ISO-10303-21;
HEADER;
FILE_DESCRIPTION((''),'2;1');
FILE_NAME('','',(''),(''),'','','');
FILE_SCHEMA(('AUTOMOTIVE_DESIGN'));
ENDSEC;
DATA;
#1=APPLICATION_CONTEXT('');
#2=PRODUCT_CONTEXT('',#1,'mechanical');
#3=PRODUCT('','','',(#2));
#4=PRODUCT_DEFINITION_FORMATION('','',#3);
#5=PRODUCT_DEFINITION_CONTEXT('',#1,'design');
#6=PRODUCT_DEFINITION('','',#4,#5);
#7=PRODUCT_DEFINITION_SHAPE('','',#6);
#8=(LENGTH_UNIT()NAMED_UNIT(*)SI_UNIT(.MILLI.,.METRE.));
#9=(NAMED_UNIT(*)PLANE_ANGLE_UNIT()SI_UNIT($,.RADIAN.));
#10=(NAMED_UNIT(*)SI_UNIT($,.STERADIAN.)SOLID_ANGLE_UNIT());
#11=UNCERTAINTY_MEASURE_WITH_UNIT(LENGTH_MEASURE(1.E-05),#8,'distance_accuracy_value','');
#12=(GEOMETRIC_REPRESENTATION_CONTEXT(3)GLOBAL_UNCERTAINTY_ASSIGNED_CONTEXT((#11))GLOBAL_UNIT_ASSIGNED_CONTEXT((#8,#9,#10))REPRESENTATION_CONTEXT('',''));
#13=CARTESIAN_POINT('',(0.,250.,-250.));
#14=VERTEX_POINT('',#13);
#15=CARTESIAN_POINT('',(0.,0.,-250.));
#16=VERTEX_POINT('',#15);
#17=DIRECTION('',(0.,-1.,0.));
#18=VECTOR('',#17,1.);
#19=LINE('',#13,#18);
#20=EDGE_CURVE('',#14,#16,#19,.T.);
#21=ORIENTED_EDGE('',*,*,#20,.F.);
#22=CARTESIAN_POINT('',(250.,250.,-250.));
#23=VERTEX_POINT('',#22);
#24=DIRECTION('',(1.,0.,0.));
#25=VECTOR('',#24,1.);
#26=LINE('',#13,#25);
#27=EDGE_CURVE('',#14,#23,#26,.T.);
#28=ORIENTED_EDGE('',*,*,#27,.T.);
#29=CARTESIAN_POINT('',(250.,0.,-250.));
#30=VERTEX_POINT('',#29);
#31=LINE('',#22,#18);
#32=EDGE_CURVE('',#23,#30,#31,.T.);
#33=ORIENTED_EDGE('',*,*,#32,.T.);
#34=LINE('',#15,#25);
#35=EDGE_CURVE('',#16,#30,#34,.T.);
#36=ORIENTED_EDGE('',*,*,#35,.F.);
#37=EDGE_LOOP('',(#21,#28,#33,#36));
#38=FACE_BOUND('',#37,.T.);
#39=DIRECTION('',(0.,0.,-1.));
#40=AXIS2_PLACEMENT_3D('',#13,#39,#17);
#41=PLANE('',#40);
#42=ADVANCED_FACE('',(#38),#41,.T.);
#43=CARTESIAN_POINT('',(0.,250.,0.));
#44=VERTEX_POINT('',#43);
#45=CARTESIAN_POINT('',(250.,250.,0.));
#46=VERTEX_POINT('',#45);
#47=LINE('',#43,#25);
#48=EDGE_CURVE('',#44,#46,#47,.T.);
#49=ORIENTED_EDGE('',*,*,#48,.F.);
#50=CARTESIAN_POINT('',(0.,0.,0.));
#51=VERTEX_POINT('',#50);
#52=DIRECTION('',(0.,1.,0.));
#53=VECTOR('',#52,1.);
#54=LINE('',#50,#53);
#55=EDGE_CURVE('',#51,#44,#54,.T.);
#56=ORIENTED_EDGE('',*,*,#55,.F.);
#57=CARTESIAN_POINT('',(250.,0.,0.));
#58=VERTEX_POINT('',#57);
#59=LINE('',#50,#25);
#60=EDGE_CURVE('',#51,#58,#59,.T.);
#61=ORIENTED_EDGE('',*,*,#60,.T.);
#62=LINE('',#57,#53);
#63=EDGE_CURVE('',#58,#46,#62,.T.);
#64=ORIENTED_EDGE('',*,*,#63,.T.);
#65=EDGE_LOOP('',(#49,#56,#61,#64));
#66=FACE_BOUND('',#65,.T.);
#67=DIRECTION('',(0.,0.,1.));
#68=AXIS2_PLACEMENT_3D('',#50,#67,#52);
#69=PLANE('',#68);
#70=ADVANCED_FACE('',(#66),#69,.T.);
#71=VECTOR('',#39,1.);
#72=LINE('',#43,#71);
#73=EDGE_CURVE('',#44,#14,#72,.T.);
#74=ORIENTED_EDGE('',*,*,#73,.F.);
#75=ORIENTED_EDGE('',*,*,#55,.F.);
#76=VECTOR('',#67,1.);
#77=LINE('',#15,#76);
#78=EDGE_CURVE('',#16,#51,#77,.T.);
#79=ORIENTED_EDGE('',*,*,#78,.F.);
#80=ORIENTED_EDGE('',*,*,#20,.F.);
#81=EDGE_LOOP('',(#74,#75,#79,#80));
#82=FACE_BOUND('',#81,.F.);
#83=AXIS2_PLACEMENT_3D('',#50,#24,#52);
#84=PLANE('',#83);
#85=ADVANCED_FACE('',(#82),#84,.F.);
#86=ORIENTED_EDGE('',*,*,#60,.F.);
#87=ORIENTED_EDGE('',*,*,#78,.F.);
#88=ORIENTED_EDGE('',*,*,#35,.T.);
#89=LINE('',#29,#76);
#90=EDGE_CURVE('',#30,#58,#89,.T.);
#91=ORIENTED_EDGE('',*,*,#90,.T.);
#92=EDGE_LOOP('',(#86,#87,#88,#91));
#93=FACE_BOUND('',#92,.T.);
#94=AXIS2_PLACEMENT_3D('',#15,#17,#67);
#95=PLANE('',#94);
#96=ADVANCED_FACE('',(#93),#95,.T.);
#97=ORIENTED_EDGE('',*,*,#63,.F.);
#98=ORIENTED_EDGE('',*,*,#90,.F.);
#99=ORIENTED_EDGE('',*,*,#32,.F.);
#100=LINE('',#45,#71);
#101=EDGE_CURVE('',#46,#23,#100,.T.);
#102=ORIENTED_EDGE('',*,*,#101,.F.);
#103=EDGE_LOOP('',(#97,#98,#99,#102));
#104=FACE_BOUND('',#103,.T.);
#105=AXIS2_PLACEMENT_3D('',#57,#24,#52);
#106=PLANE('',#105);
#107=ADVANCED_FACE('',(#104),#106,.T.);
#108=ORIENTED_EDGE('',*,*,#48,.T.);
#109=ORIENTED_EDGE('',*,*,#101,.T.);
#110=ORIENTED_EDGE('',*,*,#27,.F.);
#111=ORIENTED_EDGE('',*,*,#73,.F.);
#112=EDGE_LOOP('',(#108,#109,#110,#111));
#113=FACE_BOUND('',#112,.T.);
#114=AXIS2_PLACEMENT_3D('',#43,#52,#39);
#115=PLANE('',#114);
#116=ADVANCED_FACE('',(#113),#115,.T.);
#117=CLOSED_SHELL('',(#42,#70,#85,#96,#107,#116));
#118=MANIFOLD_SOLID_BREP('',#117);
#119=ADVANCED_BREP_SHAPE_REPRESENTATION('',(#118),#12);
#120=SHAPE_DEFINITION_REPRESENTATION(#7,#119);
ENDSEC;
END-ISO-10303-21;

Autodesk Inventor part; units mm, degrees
ref_plane "YZ Plane" through (0, 0, 0) normal (1, 0, 0) x (0, 1, 0)
ref_plane "XZ Plane" through (0, 0, 0) normal (0, 1, 0) x (-1, 0, 0)
ref_plane "XY Plane" through (0, 0, 0) normal (0, 0, 1) x (1, 0, 0)
sketch "Sketch1" plane through (0, 0, 0) normal (1, 0, 0) x (0, 1, 0)
  line L0 (0, 0) -> (250, 0)
  line L1 (250, 0) -> (250, -250)
  line L2 (250, -250) -> (0, -250)
  line L3 (0, -250) -> (0, 0)
  dimension "d0" = 250
  dimension "d1" = 250
extrude "Extrusion1" add sketch "Sketch1" along normal blind 250
properties part number "1x1 block"
